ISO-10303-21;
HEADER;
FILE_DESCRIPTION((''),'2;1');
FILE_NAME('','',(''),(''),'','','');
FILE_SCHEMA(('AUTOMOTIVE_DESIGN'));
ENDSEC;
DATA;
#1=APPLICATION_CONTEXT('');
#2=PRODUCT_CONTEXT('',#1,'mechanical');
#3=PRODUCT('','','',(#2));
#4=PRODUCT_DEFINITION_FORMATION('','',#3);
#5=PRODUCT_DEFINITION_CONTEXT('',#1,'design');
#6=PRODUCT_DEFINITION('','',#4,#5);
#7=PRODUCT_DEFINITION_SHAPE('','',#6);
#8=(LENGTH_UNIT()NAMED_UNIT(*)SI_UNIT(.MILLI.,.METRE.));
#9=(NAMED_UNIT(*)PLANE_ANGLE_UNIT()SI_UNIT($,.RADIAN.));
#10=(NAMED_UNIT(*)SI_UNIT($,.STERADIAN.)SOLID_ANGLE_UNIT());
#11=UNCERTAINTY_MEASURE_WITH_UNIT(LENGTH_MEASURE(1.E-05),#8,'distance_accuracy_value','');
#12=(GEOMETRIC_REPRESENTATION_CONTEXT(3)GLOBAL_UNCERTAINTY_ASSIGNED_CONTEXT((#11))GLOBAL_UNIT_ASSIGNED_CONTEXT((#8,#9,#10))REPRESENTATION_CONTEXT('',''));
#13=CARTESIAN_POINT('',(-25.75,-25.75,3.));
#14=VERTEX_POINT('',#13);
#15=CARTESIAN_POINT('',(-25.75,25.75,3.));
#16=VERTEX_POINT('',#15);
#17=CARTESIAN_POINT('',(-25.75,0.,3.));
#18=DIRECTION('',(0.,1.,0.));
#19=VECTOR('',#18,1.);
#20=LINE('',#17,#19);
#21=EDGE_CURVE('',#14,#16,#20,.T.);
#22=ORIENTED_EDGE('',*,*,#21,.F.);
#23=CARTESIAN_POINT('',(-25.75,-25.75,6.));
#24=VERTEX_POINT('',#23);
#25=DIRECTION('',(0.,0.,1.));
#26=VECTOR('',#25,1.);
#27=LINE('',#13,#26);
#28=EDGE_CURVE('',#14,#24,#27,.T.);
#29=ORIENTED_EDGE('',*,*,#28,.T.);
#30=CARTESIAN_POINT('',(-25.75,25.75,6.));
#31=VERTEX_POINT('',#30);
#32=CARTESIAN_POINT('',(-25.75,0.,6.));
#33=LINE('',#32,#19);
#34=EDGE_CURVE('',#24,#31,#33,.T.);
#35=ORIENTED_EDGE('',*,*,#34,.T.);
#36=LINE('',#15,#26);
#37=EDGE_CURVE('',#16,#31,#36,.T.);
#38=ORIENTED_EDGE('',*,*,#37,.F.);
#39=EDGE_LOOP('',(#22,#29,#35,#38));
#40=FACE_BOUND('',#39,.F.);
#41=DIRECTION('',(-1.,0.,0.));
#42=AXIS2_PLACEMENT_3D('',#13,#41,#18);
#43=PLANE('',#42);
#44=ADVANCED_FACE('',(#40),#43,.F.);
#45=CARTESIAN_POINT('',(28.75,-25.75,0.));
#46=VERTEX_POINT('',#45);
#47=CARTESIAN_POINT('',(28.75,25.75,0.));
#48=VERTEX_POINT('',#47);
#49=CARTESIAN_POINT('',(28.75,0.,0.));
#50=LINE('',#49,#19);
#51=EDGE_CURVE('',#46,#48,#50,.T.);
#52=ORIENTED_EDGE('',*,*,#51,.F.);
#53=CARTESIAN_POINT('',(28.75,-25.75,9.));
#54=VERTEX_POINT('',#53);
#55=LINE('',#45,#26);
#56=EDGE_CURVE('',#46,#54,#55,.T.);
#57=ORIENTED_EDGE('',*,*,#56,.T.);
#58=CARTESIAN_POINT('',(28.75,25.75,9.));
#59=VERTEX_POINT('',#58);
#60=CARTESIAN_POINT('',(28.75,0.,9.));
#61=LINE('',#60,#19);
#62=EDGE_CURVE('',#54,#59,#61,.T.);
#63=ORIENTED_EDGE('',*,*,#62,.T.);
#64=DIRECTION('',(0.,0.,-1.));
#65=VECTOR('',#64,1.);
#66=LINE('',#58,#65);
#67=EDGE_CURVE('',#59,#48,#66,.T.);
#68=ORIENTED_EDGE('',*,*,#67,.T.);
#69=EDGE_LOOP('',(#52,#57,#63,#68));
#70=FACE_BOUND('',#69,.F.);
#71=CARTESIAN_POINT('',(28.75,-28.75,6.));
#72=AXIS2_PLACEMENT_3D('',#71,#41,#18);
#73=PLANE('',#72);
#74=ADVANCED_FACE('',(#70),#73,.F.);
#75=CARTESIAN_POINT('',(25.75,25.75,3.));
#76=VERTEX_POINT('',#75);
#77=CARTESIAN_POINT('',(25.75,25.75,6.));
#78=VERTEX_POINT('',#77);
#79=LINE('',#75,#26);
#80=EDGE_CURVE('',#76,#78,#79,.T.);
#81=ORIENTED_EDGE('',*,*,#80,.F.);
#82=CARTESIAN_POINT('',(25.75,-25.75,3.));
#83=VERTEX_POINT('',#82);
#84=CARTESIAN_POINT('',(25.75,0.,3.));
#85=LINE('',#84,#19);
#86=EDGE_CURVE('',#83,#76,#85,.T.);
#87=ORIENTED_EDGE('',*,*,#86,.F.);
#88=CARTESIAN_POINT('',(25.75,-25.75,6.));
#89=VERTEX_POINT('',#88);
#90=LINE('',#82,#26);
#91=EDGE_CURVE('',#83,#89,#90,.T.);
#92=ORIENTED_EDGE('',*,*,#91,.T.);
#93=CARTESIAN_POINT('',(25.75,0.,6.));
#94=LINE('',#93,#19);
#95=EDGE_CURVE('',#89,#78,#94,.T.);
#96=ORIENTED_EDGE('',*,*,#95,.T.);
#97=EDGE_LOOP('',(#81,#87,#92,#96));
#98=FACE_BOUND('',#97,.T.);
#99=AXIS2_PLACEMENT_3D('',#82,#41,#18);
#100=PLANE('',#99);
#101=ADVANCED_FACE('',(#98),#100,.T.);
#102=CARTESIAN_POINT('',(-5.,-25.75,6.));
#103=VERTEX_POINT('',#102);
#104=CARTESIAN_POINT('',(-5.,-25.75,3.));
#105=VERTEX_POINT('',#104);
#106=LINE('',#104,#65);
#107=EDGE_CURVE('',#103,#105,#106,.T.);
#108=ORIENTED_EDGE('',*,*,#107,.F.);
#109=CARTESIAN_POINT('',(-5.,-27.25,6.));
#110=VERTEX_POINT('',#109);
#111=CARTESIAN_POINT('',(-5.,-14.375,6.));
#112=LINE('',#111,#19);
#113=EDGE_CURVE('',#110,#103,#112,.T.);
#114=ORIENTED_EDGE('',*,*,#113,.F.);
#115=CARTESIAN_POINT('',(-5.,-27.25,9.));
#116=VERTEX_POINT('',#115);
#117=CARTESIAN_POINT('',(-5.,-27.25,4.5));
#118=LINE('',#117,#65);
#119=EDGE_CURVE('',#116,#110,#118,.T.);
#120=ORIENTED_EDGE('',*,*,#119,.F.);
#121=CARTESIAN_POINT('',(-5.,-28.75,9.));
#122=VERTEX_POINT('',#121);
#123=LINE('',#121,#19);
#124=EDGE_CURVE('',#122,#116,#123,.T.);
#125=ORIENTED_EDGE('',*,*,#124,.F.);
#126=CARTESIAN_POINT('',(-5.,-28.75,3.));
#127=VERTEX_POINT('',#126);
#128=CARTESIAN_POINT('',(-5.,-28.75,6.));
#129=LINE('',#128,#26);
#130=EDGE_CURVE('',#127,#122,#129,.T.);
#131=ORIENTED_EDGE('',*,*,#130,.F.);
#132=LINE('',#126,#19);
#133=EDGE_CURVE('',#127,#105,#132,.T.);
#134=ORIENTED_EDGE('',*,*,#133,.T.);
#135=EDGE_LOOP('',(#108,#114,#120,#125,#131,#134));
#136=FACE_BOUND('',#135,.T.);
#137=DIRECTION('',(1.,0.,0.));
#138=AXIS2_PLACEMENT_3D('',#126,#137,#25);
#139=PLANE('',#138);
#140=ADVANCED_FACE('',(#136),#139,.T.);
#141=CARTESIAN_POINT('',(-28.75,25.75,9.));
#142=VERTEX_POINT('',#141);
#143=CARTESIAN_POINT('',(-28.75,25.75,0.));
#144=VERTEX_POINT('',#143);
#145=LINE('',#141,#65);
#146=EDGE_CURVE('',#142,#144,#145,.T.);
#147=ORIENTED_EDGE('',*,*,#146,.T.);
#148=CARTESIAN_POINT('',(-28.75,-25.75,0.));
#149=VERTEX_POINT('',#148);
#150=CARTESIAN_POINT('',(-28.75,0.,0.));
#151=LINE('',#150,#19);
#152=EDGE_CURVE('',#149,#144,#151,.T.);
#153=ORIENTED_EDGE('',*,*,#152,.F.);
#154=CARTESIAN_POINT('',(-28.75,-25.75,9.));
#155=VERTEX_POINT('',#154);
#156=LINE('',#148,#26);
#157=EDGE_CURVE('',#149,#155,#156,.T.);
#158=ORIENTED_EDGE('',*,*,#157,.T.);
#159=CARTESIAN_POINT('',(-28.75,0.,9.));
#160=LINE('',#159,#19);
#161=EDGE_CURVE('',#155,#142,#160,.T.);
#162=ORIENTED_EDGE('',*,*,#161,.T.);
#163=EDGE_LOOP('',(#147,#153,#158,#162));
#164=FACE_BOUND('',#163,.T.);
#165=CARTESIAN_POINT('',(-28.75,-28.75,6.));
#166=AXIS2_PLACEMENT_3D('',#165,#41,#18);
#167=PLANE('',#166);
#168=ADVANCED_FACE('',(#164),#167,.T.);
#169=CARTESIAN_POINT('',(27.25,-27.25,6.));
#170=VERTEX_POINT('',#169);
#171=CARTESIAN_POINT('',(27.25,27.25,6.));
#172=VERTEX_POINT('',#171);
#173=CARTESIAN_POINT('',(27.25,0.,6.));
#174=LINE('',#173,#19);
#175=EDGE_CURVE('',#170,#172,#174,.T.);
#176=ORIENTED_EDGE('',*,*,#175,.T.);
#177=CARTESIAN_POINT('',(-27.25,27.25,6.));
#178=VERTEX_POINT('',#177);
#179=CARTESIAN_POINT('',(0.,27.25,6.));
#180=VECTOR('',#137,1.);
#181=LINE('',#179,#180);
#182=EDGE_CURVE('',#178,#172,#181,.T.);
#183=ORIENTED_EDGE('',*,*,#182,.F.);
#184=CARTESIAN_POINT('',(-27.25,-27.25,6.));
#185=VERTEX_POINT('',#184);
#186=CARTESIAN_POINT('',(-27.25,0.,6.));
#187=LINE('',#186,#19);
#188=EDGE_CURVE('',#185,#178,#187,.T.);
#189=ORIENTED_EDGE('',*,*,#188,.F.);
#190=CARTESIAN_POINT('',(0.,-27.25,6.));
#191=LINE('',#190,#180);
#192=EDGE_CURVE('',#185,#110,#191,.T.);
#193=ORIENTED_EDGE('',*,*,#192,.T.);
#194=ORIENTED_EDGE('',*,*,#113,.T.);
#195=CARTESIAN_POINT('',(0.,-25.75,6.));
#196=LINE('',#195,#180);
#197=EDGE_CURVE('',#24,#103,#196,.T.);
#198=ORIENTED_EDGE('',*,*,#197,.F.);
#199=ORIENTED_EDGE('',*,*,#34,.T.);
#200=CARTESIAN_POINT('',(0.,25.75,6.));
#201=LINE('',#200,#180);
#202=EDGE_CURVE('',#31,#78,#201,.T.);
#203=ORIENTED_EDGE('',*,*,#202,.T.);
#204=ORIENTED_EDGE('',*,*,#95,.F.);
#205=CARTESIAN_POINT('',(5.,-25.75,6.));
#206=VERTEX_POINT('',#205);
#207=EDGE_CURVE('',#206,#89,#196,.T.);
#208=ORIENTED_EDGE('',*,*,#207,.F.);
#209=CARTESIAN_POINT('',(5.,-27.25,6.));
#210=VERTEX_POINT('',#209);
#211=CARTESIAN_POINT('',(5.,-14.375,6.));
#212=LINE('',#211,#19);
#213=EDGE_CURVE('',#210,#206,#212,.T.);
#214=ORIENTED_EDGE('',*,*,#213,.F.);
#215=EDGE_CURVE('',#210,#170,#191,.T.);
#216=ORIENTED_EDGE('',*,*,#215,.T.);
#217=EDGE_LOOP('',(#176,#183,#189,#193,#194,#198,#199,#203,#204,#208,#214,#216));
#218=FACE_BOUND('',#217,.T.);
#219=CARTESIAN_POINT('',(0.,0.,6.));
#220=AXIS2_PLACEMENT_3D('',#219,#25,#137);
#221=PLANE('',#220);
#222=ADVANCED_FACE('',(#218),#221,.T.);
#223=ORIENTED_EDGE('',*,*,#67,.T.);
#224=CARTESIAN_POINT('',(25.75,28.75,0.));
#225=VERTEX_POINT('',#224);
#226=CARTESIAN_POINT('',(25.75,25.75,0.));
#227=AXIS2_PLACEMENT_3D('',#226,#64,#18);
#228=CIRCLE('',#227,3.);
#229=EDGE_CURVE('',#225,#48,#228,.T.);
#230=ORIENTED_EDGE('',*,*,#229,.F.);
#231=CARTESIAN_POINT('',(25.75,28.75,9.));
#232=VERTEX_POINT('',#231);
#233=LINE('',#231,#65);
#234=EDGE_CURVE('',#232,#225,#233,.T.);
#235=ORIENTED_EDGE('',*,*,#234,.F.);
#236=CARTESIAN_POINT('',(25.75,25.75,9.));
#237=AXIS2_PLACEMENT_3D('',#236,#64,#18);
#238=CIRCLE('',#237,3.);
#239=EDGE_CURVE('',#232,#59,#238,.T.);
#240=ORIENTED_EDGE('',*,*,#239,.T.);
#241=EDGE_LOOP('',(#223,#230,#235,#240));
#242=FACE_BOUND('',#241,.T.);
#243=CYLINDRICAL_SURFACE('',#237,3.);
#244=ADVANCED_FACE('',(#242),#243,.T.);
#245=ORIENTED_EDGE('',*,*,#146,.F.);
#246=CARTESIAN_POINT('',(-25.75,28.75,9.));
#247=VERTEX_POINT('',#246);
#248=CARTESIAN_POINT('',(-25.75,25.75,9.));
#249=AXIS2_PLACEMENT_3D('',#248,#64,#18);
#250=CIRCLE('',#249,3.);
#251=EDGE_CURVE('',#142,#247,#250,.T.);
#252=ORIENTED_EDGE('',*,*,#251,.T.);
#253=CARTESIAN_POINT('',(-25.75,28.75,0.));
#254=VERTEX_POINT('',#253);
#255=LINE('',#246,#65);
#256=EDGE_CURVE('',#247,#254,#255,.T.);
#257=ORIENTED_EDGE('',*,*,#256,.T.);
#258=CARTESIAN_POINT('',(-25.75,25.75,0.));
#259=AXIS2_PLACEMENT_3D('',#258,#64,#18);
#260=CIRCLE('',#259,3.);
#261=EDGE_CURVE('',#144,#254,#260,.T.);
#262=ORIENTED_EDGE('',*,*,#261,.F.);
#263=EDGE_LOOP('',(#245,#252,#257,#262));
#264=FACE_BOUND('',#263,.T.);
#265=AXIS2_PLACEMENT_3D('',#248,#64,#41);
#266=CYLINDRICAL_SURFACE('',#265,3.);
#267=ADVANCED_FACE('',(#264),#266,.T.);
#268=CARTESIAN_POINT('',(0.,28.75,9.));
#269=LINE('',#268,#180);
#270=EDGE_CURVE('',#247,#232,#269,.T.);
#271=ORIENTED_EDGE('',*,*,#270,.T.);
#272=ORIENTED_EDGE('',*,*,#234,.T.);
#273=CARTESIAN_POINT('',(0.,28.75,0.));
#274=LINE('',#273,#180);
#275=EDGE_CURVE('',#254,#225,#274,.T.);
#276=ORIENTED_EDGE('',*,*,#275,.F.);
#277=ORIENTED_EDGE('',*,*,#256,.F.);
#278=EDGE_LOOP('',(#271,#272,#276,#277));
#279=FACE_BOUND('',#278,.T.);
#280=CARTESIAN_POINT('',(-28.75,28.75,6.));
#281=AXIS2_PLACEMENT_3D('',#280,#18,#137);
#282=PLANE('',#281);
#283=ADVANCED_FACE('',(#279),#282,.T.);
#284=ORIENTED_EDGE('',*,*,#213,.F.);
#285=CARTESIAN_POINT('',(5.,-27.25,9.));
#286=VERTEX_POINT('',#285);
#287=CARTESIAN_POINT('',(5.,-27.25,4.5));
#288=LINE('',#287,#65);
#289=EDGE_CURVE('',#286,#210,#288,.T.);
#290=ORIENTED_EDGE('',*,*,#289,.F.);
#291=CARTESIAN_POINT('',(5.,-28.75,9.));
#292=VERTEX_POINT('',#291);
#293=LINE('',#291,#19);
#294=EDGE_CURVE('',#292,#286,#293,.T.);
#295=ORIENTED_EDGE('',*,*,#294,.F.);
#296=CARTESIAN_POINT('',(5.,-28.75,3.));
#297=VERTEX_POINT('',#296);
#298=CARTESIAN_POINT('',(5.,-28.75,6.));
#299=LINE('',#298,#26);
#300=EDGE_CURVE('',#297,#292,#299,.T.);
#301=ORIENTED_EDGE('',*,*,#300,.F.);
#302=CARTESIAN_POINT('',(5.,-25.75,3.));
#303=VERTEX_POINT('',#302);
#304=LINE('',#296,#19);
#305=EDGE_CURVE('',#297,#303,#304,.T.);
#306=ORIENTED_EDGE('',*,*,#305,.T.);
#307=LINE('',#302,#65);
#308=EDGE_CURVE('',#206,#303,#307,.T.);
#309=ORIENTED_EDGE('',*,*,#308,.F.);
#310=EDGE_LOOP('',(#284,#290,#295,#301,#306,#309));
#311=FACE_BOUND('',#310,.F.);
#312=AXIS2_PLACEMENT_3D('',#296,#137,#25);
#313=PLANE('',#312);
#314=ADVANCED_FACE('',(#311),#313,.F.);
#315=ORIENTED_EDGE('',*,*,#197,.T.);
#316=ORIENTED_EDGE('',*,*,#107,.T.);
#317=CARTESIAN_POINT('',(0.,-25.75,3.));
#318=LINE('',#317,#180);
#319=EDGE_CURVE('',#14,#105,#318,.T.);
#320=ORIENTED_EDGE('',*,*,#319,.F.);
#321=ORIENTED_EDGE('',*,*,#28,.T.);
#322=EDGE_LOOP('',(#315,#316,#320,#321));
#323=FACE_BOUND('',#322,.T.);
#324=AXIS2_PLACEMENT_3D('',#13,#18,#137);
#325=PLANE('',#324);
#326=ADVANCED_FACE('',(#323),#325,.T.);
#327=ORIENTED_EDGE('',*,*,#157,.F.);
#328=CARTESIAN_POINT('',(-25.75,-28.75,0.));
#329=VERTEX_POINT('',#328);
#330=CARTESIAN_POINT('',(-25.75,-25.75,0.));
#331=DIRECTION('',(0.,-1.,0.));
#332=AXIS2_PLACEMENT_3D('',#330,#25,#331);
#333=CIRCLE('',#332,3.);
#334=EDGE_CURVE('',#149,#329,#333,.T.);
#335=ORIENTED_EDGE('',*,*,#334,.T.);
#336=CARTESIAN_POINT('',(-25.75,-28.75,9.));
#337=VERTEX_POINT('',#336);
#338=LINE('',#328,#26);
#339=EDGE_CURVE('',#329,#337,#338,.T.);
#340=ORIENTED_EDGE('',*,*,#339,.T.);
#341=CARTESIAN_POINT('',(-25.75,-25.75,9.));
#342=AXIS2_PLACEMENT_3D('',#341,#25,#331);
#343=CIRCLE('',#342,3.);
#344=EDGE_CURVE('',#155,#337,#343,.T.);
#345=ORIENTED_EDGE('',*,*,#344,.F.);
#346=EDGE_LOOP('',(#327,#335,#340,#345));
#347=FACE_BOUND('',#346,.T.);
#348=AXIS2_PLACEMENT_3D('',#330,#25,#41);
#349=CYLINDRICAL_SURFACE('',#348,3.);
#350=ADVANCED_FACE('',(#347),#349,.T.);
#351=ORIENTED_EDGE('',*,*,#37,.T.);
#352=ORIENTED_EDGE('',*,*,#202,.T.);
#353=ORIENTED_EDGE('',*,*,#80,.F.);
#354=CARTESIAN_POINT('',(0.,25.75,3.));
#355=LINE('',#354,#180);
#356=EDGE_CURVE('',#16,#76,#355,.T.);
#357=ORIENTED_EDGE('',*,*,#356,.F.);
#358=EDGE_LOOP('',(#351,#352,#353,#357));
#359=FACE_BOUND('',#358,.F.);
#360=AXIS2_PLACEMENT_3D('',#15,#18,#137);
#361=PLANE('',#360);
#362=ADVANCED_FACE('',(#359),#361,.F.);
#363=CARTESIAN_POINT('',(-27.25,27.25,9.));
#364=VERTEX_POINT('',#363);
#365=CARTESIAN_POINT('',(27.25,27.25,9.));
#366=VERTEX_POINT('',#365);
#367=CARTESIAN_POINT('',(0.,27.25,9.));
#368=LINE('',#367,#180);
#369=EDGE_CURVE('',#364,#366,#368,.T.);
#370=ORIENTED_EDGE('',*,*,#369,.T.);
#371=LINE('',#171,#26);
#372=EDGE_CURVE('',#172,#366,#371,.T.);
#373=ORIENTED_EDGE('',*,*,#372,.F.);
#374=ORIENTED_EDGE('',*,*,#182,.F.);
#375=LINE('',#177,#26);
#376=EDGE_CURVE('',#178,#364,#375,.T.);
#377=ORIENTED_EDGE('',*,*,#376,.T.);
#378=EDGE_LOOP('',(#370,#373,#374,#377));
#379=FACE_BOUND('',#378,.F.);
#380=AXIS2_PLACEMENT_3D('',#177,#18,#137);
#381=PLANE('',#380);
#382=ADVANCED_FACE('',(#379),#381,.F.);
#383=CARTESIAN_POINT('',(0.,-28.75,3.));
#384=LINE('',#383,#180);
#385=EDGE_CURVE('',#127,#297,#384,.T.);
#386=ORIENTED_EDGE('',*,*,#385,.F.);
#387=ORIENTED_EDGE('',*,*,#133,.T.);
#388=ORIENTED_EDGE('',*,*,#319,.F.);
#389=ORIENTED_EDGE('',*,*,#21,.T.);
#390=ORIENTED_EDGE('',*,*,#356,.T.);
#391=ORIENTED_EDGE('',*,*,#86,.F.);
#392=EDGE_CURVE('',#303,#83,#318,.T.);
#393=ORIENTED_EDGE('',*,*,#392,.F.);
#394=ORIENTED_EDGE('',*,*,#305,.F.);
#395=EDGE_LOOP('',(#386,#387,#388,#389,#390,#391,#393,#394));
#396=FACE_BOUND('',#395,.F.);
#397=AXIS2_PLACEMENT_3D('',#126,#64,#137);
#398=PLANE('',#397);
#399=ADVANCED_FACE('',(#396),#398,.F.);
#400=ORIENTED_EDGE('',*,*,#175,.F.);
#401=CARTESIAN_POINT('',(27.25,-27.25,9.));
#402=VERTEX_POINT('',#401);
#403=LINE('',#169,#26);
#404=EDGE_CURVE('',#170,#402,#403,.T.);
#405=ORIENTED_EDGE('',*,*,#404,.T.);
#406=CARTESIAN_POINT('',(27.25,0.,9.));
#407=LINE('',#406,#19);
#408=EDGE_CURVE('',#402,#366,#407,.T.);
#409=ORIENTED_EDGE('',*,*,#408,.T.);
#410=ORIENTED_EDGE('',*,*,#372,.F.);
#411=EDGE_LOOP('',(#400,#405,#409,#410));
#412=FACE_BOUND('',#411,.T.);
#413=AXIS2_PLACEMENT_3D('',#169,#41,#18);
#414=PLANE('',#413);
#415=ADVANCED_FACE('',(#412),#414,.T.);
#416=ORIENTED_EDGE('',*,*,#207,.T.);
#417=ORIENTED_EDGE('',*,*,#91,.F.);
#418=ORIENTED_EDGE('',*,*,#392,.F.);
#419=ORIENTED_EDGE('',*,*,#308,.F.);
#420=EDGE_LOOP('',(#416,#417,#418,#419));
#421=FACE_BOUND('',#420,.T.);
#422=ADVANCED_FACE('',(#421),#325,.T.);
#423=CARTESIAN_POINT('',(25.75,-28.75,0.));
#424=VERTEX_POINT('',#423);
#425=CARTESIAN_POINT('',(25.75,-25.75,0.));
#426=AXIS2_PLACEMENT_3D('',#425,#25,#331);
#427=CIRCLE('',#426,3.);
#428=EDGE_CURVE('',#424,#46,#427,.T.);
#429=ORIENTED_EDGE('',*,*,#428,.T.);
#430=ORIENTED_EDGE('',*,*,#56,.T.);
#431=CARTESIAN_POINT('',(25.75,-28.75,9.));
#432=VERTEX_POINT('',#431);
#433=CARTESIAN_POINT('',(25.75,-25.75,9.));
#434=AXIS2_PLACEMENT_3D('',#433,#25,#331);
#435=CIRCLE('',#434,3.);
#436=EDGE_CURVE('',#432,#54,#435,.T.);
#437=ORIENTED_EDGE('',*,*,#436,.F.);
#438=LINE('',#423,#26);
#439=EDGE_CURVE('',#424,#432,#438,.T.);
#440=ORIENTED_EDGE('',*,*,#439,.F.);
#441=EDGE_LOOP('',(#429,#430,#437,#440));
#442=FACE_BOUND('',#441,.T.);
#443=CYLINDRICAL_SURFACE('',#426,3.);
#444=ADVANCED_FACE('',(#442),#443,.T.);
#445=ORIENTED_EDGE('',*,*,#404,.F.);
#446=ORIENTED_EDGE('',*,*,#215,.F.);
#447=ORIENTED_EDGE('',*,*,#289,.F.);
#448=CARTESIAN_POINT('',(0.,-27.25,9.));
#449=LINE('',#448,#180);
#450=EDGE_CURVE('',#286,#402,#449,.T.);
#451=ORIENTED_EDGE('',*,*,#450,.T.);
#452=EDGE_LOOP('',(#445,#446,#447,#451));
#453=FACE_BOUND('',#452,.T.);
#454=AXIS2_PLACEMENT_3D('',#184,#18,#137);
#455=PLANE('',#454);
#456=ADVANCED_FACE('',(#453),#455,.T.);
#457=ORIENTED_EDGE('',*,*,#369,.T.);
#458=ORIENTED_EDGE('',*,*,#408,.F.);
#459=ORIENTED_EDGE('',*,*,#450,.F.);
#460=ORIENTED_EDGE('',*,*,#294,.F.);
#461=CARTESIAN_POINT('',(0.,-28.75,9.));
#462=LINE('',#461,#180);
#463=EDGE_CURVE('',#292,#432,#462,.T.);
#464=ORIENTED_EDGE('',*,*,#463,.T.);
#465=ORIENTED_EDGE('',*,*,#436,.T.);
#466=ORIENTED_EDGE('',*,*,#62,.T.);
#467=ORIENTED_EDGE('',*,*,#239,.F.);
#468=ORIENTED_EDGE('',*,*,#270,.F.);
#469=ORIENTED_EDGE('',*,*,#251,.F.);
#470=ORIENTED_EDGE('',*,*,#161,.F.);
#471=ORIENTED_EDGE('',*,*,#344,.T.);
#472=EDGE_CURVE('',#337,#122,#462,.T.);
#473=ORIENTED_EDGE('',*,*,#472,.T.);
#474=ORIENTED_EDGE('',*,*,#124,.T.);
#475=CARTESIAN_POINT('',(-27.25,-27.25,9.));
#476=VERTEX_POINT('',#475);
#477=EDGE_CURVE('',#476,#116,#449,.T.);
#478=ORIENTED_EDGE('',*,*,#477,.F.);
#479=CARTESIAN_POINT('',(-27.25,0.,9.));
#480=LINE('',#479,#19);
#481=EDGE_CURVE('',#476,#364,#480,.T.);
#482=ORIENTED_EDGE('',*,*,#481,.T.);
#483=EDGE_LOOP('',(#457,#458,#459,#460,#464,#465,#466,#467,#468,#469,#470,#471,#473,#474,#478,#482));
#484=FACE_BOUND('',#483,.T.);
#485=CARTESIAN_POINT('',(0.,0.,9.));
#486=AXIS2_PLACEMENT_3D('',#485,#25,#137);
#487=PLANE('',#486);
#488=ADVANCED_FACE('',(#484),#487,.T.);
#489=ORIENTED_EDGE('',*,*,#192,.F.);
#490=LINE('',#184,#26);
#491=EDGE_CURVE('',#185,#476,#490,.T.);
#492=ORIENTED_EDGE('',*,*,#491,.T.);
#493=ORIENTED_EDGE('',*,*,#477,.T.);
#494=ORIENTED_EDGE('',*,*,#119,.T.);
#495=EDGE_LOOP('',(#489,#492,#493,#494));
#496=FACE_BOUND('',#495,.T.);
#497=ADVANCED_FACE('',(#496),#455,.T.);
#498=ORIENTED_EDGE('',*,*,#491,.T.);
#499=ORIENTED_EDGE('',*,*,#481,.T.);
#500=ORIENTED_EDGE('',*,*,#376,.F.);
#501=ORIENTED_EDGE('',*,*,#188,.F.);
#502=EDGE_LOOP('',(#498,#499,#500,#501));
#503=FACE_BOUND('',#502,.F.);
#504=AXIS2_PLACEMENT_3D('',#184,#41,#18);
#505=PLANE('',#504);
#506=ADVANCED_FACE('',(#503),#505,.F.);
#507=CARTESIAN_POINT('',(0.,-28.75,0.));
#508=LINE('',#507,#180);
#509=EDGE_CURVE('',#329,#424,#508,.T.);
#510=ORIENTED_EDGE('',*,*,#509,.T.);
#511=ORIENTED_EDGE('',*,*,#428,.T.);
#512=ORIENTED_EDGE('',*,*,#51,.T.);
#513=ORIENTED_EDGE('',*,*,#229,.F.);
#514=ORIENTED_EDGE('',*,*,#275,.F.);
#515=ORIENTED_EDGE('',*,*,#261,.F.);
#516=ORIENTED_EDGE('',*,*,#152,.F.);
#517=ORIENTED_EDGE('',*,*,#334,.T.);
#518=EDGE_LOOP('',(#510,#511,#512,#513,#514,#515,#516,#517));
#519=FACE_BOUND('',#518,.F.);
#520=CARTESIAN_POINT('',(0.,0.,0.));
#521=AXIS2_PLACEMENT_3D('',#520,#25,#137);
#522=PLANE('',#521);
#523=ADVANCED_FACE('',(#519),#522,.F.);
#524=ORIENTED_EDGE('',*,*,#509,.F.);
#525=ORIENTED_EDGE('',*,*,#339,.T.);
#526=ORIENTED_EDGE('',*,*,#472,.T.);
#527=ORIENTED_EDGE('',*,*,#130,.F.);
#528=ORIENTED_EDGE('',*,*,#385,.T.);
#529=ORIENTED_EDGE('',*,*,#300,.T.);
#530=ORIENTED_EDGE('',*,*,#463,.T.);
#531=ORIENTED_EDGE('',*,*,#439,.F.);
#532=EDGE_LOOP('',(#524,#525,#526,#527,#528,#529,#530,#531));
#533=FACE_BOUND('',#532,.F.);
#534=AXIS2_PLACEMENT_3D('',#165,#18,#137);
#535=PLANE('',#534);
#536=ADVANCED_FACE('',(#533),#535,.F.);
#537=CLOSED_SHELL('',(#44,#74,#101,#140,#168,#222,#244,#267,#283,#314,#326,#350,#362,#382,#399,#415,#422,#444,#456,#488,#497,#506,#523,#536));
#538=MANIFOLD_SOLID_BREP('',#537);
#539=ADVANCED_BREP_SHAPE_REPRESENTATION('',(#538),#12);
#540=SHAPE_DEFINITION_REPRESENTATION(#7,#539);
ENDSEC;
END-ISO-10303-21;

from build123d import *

# Parameters (mm, degrees)
SKETCH_W      = 57.5
SKETCH_H      = 57.5
PAD_DEPTH     = 3
SKETCH001_W   = 57.5
SKETCH001_H   = 57.5
SKETCH001_W_2 = 51.5
SKETCH001_H_2 = 51.5
PAD001_DEPTH  = 3
SKETCH002_W   = 57.5
SKETCH002_H   = 57.5
SKETCH002_W_2 = 54.5
SKETCH002_H_2 = 54.5
PAD002_DEPTH  = 3
SKETCH003_W   = 10
SKETCH003_H   = 6
POCKET_DEPTH  = 5
FILLET_R      = 3


with BuildPart() as part:
    # Sketch → Pad (new body)
    with BuildSketch(Plane.XY):
        Rectangle(SKETCH_W, SKETCH_H)
    extrude(amount=PAD_DEPTH)

    # Sketch001 (on Face6 of Pad) → Pad001 (join)
    with BuildSketch(Plane.XY.offset(3)):
        Rectangle(SKETCH001_W, SKETCH001_H)
        Rectangle(SKETCH001_W_2, SKETCH001_H_2, mode=Mode.SUBTRACT)
    extrude(amount=PAD001_DEPTH)

    # Sketch002 (on Face9 of Pad001) → Pad002 (join)
    with BuildSketch(Plane.XY.offset(6)):
        Rectangle(SKETCH002_W, SKETCH002_H)
        Rectangle(SKETCH002_W_2, SKETCH002_H_2, mode=Mode.SUBTRACT)
    extrude(amount=PAD002_DEPTH)

    # Sketch003 (on Face10 of Pad002) → Pocket (cut)
    with BuildSketch(Plane.XZ.offset(28.75)):
        with Locations((0, 6)):
            Rectangle(SKETCH003_W, SKETCH003_H)
    extrude(amount=-POCKET_DEPTH, mode=Mode.SUBTRACT)

    # Fillet
    fillet_edges = [part.edges().sort_by_distance(p)[0] for p in [
        (-28.75, -28.75, 7.5),
        (-28.75, -28.75, 4.5),
        (-28.75, -28.75, 1.5),
        (-28.75, 28.75, 7.5),
        (-28.75, 28.75, 4.5),
        (-28.75, 28.75, 1.5),
        (28.75, -28.75, 7.5),
        (28.75, -28.75, 4.5),
        (28.75, -28.75, 1.5),
        (28.75, 28.75, 1.5),
        (28.75, 28.75, 4.5),
        (28.75, 28.75, 7.5),
    ]]
    fillet(fillet_edges, radius=FILLET_R)


solid = part.part
